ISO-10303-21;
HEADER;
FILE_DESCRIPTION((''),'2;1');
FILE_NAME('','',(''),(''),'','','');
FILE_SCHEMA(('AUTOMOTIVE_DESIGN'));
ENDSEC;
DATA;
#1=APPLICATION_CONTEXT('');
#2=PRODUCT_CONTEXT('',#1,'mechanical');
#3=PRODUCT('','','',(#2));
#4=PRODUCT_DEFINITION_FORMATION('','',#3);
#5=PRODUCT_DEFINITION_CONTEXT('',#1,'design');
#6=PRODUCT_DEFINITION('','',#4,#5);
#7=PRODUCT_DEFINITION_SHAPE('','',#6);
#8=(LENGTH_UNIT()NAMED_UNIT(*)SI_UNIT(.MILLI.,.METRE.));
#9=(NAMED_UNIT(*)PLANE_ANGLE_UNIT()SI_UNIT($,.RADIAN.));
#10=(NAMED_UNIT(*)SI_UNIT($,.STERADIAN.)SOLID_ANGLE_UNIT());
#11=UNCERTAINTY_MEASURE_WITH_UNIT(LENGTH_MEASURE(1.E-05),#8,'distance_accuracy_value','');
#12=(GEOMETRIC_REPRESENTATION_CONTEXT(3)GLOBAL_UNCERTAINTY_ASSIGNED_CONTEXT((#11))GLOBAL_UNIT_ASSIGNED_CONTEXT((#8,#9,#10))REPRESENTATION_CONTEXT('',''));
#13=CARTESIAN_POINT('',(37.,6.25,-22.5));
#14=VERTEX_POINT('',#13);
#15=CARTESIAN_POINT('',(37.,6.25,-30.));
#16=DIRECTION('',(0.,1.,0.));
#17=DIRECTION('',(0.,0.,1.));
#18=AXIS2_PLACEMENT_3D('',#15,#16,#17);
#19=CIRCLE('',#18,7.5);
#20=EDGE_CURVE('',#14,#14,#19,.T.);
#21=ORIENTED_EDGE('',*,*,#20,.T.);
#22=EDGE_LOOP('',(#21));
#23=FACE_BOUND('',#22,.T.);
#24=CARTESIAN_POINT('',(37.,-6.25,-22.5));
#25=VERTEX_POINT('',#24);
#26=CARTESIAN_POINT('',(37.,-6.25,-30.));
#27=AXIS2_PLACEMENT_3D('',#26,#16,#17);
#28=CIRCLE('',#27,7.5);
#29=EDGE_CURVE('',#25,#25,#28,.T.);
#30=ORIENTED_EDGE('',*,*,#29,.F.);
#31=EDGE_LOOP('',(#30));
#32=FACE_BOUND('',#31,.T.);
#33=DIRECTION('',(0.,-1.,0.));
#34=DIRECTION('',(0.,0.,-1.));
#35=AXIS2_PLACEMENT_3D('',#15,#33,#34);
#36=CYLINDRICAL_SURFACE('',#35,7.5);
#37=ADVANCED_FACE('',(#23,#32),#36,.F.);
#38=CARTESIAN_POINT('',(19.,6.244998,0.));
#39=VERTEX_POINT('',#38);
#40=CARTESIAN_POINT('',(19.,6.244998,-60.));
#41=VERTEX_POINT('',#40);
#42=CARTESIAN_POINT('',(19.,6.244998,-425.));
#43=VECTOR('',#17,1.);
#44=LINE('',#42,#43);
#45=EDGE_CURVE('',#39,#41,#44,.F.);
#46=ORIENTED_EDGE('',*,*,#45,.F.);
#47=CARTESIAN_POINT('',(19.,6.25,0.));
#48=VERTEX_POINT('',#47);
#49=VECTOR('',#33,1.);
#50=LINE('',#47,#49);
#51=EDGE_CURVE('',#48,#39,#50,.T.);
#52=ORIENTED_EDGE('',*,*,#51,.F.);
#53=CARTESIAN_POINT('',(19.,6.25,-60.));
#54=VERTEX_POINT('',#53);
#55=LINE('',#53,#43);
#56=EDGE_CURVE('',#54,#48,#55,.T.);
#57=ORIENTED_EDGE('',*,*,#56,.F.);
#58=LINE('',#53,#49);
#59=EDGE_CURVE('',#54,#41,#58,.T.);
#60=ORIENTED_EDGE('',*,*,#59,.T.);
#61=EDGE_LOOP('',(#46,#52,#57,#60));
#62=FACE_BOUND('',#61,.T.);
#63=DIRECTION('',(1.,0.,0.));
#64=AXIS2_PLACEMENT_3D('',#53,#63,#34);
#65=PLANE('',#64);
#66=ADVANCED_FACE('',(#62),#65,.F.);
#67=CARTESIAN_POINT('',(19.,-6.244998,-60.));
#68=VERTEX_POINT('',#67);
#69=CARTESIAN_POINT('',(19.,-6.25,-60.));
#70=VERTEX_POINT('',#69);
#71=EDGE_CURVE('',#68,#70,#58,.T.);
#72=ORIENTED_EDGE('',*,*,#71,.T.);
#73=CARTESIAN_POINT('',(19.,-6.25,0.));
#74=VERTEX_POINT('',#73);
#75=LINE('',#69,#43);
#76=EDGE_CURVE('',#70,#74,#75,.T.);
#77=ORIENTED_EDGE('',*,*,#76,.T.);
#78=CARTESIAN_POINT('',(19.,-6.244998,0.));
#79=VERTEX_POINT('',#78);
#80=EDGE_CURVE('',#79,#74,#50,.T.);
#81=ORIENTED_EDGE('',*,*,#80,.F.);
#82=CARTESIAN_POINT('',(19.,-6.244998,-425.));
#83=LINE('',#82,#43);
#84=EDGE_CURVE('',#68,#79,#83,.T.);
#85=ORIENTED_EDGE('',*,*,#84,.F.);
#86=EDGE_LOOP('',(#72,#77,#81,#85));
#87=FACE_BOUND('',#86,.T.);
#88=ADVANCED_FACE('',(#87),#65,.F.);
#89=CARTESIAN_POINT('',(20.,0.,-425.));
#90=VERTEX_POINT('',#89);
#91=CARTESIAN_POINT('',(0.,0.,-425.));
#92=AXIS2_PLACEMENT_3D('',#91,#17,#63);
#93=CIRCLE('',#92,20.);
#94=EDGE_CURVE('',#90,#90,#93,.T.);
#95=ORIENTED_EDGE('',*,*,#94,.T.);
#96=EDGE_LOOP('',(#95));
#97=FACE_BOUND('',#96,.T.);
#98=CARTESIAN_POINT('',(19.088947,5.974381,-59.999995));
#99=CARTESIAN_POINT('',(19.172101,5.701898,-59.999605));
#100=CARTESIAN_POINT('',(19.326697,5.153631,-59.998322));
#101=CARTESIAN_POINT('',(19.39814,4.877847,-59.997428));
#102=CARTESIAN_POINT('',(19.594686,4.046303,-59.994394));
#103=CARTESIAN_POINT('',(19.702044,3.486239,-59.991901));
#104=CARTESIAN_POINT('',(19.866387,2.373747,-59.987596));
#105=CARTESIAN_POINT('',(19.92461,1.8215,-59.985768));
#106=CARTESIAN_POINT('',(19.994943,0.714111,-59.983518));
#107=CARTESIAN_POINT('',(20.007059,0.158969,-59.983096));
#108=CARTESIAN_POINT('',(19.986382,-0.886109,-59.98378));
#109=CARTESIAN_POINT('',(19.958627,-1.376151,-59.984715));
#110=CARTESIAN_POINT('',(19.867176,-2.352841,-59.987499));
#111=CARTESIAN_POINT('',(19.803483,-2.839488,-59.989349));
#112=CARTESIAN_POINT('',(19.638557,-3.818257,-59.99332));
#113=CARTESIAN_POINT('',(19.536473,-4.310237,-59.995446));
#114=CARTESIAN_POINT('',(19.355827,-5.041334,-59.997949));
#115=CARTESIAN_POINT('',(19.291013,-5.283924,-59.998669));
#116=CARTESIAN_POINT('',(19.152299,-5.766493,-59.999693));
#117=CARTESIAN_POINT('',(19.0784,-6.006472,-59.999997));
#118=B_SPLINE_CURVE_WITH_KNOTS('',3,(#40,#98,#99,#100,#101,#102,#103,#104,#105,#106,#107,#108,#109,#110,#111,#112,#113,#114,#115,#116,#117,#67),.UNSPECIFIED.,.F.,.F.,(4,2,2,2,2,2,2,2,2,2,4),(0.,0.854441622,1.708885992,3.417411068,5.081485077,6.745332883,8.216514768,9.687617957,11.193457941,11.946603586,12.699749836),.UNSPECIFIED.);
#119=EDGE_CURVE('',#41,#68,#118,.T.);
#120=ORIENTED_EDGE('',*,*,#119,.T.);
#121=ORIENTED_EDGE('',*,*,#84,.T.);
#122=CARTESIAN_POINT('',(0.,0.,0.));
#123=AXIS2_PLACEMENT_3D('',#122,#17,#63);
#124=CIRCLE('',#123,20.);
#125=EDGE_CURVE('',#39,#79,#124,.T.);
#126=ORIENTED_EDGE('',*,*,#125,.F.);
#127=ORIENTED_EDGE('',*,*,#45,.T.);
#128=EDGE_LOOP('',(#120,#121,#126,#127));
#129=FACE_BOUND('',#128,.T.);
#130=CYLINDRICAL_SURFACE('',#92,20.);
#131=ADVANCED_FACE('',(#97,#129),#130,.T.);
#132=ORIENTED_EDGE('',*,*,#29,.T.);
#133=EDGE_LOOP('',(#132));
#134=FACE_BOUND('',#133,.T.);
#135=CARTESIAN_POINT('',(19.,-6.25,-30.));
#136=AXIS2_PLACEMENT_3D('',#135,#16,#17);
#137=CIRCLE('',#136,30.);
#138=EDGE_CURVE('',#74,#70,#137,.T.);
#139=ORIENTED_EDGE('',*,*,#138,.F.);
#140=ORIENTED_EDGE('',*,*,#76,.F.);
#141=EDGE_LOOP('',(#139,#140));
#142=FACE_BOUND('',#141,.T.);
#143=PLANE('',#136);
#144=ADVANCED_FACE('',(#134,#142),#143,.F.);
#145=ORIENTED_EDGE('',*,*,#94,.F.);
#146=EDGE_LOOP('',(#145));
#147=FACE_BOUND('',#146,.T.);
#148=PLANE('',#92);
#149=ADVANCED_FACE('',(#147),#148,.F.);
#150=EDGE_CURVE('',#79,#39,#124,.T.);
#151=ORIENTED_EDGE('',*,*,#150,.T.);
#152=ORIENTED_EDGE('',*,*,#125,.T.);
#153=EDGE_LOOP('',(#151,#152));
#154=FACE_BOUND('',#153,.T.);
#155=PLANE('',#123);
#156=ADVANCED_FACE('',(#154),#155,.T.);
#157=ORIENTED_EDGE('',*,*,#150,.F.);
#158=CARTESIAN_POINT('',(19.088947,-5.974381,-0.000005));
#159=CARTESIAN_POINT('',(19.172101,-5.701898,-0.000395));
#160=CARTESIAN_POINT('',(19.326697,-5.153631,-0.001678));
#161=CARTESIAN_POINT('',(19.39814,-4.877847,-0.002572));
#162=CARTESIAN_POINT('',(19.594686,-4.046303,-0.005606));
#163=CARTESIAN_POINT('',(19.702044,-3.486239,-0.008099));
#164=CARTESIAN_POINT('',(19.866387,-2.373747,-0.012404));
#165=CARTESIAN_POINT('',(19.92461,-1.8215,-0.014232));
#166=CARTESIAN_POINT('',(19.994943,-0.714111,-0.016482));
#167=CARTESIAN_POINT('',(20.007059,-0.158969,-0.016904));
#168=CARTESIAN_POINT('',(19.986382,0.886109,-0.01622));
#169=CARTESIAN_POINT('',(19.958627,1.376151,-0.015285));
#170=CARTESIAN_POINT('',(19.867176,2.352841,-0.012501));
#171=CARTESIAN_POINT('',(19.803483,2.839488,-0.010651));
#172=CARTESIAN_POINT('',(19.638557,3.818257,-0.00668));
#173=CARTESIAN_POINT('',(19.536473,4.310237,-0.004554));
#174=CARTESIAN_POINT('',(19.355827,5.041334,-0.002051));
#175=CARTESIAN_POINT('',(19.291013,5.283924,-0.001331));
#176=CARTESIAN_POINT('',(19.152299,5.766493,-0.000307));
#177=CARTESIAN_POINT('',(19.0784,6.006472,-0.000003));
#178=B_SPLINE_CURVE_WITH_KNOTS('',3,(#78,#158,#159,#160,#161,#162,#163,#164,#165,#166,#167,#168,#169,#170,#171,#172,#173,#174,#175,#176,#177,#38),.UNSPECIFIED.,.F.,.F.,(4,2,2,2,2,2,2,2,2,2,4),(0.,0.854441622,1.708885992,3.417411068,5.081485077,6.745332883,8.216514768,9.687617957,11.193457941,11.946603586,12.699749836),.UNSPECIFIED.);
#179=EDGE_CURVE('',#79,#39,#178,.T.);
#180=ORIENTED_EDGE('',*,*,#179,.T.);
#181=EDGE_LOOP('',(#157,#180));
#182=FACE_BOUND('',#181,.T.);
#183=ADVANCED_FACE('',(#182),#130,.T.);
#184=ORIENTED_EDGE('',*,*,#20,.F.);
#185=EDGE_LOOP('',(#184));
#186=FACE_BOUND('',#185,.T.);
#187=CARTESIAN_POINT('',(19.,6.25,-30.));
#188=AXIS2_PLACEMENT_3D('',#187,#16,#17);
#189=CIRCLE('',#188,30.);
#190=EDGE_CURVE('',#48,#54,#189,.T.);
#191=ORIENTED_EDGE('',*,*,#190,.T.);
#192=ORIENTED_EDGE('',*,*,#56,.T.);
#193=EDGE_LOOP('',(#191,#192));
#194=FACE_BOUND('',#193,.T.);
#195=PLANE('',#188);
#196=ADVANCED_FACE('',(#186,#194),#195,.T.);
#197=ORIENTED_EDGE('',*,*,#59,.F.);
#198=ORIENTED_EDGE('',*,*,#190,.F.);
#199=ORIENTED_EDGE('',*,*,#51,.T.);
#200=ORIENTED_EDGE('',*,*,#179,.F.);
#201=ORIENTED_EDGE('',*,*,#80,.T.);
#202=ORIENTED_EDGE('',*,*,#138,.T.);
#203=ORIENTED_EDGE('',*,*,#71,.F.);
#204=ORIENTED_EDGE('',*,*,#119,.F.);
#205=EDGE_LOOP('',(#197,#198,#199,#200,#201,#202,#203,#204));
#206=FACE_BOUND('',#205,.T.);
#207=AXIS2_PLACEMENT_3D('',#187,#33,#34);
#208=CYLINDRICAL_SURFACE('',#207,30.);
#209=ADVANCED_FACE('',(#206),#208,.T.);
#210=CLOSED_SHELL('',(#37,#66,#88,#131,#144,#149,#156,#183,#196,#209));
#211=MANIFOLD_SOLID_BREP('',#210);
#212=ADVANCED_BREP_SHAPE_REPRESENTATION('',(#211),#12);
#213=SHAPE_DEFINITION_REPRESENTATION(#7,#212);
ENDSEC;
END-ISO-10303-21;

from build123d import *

# Parameters (mm, degrees)
SKETCH1_R           = 20
BASE_EXTRUDE_DEPTH  = 425
SKETCH4_R           = 7.5
BOSS_EXTRUDE1_DEPTH = 6.25


with BuildPart() as part:
    # Sketch1 → Base-Extrude (new body)
    with BuildSketch(Plane.XY):
        Circle(SKETCH1_R)
    extrude(amount=-BASE_EXTRUDE_DEPTH)

    # Sketch4 → Boss-Extrude1 (add, symmetric)
    with BuildSketch(Plane(origin=(0, 0, 0), x_dir=(-1, 0, 0), z_dir=(0, 1, 0))):
        with BuildLine():
            Line((-19, -60), (-19, 0))
            ThreePointArc((-19, 0), (-49, -30), (-19, -60))
        make_face()
        with Locations(Location((-37, -30, 0), (0, 0, 90))):
            Circle(SKETCH4_R, mode=Mode.SUBTRACT)
    extrude(amount=BOSS_EXTRUDE1_DEPTH, both=True)


solid = part.part
